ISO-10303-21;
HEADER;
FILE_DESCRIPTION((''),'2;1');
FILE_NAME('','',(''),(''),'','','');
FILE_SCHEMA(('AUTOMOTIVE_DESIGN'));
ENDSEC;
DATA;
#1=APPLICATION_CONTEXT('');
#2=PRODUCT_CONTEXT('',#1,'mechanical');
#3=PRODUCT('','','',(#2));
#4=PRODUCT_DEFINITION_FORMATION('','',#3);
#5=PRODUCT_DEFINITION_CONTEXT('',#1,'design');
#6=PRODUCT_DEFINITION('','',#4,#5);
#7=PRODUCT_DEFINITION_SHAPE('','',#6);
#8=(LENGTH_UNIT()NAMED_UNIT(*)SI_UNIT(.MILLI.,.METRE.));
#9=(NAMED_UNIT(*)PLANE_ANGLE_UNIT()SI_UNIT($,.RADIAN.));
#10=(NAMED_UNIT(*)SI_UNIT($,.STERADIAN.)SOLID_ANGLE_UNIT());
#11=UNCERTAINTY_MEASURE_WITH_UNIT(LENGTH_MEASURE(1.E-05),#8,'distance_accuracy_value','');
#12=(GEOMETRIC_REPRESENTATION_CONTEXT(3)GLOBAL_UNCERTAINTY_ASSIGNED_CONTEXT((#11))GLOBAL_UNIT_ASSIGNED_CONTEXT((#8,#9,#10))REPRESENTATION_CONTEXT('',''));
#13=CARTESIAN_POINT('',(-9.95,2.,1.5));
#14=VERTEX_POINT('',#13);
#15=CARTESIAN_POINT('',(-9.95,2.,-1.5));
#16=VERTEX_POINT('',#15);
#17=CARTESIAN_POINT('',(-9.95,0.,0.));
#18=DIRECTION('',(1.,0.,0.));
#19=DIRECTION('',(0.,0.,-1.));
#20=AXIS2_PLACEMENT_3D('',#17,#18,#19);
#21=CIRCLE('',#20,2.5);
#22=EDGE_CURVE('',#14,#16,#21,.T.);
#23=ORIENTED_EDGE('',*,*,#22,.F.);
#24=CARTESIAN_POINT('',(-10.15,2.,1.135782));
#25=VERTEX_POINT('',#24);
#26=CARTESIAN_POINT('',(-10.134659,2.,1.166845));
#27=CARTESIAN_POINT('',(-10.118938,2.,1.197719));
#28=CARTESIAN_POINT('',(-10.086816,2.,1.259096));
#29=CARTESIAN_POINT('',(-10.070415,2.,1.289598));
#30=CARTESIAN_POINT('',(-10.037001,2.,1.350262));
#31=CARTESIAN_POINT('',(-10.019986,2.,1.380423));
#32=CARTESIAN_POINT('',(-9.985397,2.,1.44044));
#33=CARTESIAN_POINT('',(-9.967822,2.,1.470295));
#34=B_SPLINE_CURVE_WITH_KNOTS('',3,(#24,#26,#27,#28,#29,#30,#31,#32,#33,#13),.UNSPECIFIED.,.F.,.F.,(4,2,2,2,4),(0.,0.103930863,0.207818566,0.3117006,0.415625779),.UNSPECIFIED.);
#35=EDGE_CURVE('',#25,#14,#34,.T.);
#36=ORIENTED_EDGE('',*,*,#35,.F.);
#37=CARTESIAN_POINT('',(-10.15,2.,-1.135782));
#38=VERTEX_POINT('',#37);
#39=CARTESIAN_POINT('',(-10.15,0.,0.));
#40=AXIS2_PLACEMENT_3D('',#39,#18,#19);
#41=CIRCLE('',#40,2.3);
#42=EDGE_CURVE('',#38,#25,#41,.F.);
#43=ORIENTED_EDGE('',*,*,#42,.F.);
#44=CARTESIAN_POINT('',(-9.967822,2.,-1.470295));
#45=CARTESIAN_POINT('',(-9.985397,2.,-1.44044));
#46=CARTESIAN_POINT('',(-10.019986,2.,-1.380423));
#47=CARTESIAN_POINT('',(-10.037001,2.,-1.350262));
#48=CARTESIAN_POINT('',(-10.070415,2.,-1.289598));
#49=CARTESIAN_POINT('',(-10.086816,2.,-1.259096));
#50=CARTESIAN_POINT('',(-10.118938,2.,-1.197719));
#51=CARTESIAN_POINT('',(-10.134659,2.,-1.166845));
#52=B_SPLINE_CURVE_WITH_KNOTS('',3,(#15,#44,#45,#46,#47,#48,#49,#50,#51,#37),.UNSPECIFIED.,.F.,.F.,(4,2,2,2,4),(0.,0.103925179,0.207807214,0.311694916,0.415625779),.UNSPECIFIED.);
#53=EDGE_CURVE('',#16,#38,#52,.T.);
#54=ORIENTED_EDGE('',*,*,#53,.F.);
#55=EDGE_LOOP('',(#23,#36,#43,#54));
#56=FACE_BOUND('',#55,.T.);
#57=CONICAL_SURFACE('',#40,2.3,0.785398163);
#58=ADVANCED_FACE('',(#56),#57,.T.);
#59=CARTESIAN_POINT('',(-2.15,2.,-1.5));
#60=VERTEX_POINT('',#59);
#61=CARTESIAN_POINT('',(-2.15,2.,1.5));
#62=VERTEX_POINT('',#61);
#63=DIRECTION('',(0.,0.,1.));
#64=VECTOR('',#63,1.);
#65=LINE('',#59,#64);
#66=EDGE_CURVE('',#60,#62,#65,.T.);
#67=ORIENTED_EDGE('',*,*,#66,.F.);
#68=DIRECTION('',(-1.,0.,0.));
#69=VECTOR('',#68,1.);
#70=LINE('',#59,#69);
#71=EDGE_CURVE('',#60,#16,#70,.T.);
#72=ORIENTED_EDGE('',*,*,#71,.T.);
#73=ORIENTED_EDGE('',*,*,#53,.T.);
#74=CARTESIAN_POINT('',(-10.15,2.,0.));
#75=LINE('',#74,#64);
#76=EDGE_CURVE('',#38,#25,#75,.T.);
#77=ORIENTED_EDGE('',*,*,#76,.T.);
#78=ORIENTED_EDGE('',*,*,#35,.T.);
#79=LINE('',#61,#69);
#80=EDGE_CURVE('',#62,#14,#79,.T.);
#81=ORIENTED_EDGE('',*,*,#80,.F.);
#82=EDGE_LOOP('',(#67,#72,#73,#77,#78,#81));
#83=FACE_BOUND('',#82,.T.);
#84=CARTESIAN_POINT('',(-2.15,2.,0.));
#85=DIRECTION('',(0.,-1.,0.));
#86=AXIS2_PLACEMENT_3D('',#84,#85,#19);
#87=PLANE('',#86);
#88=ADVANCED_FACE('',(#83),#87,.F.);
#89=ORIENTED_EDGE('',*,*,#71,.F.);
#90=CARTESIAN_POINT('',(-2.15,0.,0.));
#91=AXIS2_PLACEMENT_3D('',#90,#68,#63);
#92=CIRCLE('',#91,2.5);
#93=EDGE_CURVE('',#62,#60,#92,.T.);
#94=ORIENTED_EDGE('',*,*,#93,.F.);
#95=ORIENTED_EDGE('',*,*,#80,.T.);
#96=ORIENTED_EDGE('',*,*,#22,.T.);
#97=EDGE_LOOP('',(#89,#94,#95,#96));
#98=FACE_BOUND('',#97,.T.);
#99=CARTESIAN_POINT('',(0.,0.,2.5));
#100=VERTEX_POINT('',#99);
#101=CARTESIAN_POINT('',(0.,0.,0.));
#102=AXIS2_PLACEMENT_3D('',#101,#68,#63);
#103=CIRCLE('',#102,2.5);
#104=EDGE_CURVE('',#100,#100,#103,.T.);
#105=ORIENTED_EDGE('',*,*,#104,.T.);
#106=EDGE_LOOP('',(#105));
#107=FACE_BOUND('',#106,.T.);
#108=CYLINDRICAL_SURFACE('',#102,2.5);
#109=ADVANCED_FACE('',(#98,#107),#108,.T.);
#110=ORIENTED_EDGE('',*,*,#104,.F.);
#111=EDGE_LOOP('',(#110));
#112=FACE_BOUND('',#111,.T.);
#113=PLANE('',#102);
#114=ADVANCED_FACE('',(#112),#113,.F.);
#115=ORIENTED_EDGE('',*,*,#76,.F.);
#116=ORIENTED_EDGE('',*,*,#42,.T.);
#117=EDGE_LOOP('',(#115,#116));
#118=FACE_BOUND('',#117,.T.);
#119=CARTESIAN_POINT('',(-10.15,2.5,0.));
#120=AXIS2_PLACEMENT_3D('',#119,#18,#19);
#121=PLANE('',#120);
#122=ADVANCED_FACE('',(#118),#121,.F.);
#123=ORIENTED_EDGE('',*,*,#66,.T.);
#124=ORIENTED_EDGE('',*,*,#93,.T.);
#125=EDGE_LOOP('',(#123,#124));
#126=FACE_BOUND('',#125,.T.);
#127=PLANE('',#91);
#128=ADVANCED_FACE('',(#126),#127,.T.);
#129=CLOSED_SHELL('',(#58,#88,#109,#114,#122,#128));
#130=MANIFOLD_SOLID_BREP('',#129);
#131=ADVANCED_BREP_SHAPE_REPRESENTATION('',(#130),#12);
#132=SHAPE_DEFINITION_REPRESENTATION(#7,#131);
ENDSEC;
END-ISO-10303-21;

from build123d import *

# Parameters (mm, degrees)
ESQUISSE1_W             = 10.15
ESQUISSE1_H             = 2.5
ENL_V_MAT_EXTRU_1_DEPTH = 8
CHANFREIN1_SIZE         = 0.2


with BuildPart() as part:
    # Esquisse1 → Révolution1 (revolve)
    with BuildSketch(Plane.XY, mode=Mode.PRIVATE) as r_volution1_sk:
        with Locations((-5.075, 1.25)):
            Rectangle(ESQUISSE1_W, ESQUISSE1_H)
    revolve(r_volution1_sk.sketch.rotate(Axis((0, 0, 0), (1, 0, 0)), 90), axis=Axis((0, 0, 0), (1, 0, 0)))  # turned: the seam where the file's is

    # Esquisse2 → Enlèv. mat.-Extru.1 (cut)
    with BuildSketch(Plane.ZY.offset(10.15)):
        with BuildLine():
            Line((-1.5, 2), (0, 2))
            Line((0, 2), (1.5, 2))
            ThreePointArc((1.5, 2), (0, 2.5), (-1.5, 2))
        make_face()
    extrude(amount=-ENL_V_MAT_EXTRU_1_DEPTH, mode=Mode.SUBTRACT)

    # Chanfrein1
    chanfrein1_edges = [part.edges().sort_by_distance(p)[0] for p in [
        (-10.15, -2.236067977, -1.118033989),
    ]]
    chamfer(chanfrein1_edges, length=CHANFREIN1_SIZE)


solid = part.part
